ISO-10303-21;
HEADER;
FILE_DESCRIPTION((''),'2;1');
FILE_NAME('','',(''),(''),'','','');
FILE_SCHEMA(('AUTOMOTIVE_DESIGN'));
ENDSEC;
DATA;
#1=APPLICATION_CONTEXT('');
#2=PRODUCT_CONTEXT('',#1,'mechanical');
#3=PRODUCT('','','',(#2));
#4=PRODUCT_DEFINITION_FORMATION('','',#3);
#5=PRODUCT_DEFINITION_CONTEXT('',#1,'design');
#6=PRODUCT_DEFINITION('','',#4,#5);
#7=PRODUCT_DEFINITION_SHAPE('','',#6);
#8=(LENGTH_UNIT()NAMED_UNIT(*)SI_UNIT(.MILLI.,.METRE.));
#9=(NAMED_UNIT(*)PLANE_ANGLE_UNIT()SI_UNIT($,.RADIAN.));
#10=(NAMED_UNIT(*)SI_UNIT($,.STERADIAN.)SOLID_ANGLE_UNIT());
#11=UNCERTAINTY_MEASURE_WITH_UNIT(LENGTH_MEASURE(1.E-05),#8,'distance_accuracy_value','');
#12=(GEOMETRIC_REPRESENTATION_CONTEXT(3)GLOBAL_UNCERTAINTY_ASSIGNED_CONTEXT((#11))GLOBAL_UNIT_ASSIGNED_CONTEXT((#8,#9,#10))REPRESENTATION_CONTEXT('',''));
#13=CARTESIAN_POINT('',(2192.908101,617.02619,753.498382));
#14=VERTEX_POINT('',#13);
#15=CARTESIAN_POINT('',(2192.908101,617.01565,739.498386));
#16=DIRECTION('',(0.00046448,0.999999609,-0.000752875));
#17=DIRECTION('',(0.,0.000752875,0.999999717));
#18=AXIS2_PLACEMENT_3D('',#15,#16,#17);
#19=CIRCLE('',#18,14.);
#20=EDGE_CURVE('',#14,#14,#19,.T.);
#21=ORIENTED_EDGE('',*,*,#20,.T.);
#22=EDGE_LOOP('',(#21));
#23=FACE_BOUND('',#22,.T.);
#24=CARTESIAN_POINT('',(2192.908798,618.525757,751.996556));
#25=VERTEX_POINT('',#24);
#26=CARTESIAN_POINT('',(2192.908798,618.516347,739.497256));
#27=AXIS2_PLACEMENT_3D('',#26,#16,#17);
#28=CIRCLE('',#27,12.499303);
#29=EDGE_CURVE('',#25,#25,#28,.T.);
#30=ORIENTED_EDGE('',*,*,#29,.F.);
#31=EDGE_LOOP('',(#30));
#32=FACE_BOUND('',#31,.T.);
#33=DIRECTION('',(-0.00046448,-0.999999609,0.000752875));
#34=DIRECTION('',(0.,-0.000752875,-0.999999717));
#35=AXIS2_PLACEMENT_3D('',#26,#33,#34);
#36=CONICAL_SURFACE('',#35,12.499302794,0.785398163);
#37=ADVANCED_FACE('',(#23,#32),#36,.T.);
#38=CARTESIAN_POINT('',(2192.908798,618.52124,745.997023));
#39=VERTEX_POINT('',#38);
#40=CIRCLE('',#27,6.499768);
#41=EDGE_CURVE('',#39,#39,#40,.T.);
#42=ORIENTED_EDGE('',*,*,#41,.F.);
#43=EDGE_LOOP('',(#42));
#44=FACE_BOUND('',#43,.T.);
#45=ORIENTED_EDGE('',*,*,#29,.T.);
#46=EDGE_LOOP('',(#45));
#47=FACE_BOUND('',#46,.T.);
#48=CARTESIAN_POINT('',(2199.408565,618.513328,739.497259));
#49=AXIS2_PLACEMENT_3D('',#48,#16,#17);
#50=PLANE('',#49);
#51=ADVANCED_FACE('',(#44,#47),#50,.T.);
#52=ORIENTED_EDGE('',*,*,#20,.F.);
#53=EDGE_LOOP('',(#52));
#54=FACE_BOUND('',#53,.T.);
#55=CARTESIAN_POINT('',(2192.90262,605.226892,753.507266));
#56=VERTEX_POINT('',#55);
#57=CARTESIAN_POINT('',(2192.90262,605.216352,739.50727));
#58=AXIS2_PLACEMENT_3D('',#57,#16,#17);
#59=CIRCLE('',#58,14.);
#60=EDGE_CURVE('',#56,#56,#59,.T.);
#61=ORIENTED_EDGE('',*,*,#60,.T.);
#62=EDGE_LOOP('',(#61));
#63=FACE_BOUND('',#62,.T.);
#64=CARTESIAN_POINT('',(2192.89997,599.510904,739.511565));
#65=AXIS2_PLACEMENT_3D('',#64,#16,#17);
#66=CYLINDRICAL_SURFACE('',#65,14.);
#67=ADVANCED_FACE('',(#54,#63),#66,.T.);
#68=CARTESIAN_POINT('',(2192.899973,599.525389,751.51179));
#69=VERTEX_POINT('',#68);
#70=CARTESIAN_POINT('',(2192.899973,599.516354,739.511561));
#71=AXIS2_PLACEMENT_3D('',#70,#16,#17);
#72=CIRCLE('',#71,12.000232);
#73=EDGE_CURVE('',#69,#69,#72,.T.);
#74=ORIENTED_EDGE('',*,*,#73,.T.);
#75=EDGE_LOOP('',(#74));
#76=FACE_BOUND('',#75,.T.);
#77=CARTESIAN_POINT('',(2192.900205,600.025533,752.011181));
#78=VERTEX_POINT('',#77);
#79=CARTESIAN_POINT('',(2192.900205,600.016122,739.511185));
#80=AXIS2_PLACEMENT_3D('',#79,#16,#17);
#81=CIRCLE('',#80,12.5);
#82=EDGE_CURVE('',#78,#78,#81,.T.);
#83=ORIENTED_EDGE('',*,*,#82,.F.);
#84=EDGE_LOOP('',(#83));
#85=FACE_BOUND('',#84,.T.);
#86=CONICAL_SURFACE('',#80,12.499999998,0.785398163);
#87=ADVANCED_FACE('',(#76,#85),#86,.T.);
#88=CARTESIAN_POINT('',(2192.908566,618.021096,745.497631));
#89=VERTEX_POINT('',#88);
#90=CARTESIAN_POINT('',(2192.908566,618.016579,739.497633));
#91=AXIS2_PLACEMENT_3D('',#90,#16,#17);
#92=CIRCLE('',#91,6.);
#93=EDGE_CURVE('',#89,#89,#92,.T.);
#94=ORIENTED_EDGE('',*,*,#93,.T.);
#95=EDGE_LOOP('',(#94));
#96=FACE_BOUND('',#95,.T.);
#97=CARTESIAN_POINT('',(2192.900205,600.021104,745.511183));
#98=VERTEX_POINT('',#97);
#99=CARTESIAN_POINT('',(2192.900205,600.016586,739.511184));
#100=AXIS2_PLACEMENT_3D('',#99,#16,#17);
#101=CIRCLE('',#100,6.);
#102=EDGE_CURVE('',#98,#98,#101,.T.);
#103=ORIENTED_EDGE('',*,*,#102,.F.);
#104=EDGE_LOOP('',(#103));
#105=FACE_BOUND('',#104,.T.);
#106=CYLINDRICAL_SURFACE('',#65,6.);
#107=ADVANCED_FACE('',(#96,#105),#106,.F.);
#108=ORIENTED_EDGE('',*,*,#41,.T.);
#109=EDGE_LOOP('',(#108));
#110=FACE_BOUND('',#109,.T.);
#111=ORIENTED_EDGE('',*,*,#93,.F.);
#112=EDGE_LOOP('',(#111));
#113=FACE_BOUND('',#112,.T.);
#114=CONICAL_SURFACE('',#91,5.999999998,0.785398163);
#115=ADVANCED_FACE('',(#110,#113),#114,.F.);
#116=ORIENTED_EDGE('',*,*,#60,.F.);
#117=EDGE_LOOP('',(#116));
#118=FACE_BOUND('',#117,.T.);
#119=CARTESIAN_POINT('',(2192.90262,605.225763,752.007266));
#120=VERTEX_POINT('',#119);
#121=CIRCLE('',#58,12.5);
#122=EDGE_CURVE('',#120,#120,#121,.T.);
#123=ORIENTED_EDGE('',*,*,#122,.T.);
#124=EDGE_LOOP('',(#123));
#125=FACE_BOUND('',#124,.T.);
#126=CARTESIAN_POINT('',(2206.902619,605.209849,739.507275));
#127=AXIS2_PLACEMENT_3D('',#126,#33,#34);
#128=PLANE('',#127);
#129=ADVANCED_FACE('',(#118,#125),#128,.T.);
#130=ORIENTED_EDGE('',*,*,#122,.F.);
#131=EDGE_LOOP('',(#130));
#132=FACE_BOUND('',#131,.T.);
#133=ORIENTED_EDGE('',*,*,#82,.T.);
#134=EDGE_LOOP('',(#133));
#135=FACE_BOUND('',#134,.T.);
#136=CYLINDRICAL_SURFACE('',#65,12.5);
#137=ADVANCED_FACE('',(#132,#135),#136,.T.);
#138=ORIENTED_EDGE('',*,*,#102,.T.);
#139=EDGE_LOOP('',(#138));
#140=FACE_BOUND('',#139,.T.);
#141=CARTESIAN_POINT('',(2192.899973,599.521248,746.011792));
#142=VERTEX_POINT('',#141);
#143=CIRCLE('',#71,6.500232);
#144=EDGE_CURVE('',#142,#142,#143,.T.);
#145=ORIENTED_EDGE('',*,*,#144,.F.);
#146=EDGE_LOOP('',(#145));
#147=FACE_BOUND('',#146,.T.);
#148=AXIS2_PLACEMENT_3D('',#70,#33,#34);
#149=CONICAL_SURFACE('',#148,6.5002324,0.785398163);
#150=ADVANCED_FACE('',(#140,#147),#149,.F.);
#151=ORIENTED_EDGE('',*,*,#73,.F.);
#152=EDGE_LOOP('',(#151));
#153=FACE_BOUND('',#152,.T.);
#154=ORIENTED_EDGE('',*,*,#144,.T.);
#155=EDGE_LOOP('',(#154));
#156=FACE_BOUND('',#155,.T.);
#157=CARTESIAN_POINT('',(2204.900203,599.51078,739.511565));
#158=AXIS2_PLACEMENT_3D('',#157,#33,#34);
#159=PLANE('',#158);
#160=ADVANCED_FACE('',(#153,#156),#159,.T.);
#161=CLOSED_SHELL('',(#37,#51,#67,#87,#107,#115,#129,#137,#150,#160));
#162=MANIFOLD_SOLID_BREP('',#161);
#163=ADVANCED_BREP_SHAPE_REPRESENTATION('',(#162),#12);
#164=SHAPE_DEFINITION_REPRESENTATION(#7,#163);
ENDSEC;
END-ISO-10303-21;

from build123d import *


with BuildPart() as part:
    # Esquisse1 → Base-Révolution (revolve)
    with BuildSketch(Plane(origin=(0, 0.557099225, 739.962502514), x_dir=(-1, 0, 0), z_dir=(0, -0.0007528747265126423, -0.9999997165897829)), mode=Mode.PRIVATE) as base_r_volution_sk:
        Polygon((-2199.400204284, 598.95640538), (-2198.900204284, 599.456870076), (-2198.908564931, 617.456867811), (-2199.408564931, 617.956403546), (-2205.408099158, 617.95361688), (-2206.908099158, 616.452222791), (-2206.902618614, 604.65292127), (-2205.402618773, 604.653617991), (-2205.400203367, 599.453386473), (-2204.900203367, 598.953850738), align=None)
    revolve(base_r_volution_sk.sketch.rotate(Axis((2192.899970054, 599.510903709, 739.511565204), (0.0004644803890833411, 0.9999996087187918, -0.0007528746453008684)), 270), axis=Axis((2192.899970054, 599.510903709, 739.511565204), (0.0004644803890833411, 0.9999996087187918, -0.0007528746453008684)))


solid = part.part
